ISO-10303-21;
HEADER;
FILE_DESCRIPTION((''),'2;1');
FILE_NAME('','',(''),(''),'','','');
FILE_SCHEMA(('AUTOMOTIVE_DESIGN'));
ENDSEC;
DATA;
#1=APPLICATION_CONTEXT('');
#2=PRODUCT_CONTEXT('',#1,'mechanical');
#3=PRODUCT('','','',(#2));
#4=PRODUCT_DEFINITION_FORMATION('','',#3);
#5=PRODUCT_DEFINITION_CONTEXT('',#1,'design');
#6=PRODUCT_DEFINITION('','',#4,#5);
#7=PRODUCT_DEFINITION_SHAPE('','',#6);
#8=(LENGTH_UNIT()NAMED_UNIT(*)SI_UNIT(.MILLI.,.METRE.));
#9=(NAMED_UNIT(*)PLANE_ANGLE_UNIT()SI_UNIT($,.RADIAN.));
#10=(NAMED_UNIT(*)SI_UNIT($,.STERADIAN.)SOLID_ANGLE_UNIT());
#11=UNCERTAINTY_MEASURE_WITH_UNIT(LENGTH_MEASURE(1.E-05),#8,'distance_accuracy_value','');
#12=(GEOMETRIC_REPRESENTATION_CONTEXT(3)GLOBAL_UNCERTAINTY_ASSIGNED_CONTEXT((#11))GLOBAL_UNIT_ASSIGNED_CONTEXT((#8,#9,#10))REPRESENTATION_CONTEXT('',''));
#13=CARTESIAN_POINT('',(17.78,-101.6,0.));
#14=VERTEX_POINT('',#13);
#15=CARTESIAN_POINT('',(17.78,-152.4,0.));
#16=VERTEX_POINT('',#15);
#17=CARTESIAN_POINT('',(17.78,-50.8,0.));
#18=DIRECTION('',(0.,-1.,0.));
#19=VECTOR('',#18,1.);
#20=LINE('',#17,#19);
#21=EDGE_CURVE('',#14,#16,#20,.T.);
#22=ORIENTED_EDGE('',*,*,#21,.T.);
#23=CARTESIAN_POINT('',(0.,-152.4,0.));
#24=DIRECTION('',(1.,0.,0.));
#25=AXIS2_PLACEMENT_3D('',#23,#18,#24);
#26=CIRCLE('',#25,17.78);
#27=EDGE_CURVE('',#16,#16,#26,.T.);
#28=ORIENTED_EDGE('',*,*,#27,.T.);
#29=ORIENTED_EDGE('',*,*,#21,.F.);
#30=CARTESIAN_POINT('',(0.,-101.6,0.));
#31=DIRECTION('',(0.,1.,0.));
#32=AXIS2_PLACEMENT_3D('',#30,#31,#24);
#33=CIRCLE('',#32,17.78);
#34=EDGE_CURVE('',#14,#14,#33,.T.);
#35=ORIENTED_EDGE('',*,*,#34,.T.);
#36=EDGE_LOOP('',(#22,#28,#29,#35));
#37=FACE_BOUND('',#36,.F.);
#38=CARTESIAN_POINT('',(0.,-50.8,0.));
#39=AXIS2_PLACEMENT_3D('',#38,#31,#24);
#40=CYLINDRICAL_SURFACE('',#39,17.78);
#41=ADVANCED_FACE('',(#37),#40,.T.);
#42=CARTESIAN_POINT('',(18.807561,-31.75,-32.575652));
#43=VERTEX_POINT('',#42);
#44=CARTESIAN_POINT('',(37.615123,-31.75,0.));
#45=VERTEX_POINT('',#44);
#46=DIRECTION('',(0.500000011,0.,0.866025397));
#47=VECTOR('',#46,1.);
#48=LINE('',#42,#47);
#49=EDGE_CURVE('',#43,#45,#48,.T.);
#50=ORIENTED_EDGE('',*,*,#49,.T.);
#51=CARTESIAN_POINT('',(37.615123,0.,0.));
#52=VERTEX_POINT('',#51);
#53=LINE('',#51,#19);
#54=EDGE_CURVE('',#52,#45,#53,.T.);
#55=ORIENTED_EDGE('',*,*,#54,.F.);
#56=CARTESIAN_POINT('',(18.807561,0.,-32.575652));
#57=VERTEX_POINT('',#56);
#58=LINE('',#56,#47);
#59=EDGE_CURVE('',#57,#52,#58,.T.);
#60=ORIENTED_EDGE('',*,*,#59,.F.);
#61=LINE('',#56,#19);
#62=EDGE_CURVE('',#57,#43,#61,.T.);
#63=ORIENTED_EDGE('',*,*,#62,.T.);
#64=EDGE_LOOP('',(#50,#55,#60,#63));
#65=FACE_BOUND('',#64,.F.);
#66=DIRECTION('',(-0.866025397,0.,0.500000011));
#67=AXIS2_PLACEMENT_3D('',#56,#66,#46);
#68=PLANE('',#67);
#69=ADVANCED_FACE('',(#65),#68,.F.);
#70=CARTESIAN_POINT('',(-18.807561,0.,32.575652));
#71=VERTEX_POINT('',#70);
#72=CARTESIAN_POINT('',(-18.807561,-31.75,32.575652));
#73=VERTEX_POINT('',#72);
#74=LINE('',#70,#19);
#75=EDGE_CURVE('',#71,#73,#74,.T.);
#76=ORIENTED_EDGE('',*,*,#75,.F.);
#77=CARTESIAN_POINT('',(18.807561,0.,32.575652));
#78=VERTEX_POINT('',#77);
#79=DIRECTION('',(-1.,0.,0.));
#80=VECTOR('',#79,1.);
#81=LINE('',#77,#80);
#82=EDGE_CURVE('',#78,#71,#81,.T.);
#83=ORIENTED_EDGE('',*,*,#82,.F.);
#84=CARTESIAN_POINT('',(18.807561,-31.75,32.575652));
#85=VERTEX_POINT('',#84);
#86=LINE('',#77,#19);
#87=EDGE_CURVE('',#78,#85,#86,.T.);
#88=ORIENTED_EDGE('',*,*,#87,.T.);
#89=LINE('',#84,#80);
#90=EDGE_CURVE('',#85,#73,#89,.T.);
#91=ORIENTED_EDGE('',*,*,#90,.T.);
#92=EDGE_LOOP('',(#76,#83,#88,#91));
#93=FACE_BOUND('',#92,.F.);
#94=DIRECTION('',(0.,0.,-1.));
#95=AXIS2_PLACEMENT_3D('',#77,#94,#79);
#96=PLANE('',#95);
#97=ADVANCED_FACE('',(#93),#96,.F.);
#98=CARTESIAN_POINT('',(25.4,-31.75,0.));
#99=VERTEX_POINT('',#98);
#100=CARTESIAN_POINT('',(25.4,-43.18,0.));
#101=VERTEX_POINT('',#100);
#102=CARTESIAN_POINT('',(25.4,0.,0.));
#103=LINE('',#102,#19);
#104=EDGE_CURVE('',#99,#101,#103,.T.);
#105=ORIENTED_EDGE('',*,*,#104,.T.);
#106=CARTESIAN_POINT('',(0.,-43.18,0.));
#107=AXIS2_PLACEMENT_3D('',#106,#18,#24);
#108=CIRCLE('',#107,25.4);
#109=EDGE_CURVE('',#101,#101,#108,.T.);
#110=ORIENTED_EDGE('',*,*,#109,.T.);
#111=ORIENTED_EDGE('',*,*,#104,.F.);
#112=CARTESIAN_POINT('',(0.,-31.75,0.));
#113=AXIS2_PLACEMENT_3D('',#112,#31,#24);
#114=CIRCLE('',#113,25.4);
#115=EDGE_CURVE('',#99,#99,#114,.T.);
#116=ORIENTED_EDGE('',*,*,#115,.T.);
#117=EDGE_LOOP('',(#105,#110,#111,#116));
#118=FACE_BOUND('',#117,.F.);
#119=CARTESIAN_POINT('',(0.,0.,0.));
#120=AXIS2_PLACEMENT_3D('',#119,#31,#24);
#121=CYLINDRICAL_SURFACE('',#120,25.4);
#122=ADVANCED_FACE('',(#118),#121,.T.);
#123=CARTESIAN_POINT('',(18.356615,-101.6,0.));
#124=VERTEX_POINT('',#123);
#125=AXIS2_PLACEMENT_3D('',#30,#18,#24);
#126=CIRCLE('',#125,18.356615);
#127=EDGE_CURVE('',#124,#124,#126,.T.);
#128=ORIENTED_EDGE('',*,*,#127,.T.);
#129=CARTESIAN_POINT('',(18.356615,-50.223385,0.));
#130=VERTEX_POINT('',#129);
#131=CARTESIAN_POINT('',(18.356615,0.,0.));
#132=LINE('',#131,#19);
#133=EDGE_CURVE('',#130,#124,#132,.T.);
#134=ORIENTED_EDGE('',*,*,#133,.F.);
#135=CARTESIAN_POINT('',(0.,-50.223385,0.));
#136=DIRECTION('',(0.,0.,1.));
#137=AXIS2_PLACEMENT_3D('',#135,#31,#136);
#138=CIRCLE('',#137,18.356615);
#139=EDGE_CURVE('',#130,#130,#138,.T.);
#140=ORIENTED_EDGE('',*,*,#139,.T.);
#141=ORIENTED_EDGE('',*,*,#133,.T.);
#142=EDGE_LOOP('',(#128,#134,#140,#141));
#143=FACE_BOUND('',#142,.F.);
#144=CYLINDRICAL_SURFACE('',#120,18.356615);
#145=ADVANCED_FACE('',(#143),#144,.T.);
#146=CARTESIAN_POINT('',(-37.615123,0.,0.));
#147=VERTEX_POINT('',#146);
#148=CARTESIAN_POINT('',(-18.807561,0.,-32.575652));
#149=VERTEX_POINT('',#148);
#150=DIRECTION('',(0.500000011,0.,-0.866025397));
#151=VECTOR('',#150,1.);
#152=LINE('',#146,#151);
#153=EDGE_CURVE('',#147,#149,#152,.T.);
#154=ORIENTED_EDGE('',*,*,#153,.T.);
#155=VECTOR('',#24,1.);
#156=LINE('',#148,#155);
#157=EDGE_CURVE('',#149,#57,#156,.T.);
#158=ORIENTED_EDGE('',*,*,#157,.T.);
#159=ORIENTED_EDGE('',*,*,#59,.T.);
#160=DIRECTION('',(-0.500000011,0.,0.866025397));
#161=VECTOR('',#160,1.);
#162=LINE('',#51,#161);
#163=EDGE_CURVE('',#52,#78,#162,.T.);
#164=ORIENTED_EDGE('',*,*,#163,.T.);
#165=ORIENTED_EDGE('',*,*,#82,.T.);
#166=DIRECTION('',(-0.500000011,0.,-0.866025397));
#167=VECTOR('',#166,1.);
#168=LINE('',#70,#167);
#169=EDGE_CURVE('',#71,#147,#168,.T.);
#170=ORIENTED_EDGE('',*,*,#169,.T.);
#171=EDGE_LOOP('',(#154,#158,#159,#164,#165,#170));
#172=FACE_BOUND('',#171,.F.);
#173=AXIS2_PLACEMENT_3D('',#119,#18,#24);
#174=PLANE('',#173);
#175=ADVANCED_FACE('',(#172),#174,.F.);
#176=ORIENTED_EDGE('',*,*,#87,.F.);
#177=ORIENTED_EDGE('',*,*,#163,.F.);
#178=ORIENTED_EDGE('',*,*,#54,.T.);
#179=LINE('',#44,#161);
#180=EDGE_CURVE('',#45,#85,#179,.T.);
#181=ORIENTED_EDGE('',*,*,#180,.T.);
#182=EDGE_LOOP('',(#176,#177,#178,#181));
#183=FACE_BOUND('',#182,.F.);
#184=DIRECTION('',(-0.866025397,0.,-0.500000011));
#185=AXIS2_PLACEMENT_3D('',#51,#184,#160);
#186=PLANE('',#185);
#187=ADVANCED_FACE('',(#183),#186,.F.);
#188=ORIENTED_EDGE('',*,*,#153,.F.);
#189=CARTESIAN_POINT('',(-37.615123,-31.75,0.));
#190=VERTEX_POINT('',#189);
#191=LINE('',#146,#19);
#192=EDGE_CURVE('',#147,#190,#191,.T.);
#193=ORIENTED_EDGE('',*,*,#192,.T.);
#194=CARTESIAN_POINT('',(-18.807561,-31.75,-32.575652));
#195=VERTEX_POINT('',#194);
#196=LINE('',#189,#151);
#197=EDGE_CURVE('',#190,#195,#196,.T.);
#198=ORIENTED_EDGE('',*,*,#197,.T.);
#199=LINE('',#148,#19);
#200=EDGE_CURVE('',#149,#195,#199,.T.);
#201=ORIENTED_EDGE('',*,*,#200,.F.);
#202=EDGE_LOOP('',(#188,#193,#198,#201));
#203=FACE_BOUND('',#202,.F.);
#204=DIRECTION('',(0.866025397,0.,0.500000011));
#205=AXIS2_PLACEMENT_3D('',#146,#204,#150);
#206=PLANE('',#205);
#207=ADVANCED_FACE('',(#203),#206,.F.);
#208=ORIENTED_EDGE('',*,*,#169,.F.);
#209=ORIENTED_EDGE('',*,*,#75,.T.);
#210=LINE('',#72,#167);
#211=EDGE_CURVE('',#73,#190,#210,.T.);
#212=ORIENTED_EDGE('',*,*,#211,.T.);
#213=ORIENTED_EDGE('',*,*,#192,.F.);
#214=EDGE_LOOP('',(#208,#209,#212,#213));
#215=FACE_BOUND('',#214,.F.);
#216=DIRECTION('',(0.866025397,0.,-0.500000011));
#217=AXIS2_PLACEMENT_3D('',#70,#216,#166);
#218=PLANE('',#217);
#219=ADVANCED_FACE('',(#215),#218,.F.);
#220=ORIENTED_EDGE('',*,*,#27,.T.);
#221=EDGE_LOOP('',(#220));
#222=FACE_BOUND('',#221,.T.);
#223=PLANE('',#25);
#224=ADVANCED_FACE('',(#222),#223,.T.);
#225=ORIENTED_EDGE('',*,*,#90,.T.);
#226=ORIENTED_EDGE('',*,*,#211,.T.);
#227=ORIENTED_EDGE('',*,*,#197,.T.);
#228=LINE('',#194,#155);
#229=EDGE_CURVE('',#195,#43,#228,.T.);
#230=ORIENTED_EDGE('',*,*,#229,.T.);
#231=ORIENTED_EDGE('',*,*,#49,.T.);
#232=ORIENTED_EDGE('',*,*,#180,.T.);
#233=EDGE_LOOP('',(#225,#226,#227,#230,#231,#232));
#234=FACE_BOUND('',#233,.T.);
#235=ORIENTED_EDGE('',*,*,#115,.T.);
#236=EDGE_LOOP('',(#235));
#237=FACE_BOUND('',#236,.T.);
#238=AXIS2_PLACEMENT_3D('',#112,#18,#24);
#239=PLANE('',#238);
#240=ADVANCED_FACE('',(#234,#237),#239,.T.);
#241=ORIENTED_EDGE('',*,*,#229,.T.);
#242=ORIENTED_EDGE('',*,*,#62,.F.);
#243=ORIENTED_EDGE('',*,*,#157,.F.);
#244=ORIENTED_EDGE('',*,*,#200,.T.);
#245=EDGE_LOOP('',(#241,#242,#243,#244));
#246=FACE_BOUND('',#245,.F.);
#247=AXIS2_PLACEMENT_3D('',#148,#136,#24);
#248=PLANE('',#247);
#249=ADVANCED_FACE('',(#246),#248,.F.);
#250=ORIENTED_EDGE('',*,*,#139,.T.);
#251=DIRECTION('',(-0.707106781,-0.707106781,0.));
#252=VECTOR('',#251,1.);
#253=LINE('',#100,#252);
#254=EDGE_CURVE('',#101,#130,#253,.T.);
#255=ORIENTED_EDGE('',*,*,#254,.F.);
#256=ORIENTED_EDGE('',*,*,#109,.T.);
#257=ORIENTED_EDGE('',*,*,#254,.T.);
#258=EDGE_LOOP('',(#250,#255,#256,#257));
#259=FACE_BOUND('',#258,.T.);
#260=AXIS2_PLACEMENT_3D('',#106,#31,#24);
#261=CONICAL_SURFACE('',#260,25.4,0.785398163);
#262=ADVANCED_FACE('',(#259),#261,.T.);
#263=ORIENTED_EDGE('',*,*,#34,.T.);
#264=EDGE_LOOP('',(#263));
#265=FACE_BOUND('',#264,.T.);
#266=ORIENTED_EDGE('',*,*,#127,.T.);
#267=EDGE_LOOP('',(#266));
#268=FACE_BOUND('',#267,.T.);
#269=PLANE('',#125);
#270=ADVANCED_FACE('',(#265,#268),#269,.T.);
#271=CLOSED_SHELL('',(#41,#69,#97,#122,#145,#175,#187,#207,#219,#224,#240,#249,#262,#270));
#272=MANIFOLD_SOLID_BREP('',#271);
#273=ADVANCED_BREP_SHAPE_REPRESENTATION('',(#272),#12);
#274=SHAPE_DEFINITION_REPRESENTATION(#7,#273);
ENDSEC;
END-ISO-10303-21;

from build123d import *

# Parameters (mm, degrees)
F1_DEPTH  = 31.75
F2_R      = 25.4
F3_DEPTH  = 50.8
F4_SIZE   = 7.62
F5_R      = 18.356615
F3_FACE_R = 17.78
F6_DEPTH  = 101.6


with BuildPart() as f1:
    # F0 (on Front) → F1 (new body)
    with BuildSketch(Plane.XZ):
        Polygon((-18.807561, -32.575652), (18.807561, -32.575652), (37.615123, 0), (18.807561, 32.575652), (-18.807561, 32.575652), (-37.615123, 0), align=None)
    extrude(amount=F1_DEPTH)

    # F2 (on Front) → F3 (join)
    with BuildSketch(Plane.XZ):
        Circle(F2_R)
    extrude(amount=F3_DEPTH)

    # F4
    f4_edges = [f1.edges().sort_by_distance(p)[0] for p in [
        (-25.4, -50.8, 0),
    ]]
    chamfer(f4_edges, length=F4_SIZE)

    # F5 (on Front) + F3_face (on face) → F6 (join)
    with BuildSketch(Plane.XZ):
        Circle(F5_R)
    with BuildSketch(Plane.XZ.offset(50.8)):
        Circle(F3_FACE_R)
    extrude(amount=F6_DEPTH)


solid = f1.part
